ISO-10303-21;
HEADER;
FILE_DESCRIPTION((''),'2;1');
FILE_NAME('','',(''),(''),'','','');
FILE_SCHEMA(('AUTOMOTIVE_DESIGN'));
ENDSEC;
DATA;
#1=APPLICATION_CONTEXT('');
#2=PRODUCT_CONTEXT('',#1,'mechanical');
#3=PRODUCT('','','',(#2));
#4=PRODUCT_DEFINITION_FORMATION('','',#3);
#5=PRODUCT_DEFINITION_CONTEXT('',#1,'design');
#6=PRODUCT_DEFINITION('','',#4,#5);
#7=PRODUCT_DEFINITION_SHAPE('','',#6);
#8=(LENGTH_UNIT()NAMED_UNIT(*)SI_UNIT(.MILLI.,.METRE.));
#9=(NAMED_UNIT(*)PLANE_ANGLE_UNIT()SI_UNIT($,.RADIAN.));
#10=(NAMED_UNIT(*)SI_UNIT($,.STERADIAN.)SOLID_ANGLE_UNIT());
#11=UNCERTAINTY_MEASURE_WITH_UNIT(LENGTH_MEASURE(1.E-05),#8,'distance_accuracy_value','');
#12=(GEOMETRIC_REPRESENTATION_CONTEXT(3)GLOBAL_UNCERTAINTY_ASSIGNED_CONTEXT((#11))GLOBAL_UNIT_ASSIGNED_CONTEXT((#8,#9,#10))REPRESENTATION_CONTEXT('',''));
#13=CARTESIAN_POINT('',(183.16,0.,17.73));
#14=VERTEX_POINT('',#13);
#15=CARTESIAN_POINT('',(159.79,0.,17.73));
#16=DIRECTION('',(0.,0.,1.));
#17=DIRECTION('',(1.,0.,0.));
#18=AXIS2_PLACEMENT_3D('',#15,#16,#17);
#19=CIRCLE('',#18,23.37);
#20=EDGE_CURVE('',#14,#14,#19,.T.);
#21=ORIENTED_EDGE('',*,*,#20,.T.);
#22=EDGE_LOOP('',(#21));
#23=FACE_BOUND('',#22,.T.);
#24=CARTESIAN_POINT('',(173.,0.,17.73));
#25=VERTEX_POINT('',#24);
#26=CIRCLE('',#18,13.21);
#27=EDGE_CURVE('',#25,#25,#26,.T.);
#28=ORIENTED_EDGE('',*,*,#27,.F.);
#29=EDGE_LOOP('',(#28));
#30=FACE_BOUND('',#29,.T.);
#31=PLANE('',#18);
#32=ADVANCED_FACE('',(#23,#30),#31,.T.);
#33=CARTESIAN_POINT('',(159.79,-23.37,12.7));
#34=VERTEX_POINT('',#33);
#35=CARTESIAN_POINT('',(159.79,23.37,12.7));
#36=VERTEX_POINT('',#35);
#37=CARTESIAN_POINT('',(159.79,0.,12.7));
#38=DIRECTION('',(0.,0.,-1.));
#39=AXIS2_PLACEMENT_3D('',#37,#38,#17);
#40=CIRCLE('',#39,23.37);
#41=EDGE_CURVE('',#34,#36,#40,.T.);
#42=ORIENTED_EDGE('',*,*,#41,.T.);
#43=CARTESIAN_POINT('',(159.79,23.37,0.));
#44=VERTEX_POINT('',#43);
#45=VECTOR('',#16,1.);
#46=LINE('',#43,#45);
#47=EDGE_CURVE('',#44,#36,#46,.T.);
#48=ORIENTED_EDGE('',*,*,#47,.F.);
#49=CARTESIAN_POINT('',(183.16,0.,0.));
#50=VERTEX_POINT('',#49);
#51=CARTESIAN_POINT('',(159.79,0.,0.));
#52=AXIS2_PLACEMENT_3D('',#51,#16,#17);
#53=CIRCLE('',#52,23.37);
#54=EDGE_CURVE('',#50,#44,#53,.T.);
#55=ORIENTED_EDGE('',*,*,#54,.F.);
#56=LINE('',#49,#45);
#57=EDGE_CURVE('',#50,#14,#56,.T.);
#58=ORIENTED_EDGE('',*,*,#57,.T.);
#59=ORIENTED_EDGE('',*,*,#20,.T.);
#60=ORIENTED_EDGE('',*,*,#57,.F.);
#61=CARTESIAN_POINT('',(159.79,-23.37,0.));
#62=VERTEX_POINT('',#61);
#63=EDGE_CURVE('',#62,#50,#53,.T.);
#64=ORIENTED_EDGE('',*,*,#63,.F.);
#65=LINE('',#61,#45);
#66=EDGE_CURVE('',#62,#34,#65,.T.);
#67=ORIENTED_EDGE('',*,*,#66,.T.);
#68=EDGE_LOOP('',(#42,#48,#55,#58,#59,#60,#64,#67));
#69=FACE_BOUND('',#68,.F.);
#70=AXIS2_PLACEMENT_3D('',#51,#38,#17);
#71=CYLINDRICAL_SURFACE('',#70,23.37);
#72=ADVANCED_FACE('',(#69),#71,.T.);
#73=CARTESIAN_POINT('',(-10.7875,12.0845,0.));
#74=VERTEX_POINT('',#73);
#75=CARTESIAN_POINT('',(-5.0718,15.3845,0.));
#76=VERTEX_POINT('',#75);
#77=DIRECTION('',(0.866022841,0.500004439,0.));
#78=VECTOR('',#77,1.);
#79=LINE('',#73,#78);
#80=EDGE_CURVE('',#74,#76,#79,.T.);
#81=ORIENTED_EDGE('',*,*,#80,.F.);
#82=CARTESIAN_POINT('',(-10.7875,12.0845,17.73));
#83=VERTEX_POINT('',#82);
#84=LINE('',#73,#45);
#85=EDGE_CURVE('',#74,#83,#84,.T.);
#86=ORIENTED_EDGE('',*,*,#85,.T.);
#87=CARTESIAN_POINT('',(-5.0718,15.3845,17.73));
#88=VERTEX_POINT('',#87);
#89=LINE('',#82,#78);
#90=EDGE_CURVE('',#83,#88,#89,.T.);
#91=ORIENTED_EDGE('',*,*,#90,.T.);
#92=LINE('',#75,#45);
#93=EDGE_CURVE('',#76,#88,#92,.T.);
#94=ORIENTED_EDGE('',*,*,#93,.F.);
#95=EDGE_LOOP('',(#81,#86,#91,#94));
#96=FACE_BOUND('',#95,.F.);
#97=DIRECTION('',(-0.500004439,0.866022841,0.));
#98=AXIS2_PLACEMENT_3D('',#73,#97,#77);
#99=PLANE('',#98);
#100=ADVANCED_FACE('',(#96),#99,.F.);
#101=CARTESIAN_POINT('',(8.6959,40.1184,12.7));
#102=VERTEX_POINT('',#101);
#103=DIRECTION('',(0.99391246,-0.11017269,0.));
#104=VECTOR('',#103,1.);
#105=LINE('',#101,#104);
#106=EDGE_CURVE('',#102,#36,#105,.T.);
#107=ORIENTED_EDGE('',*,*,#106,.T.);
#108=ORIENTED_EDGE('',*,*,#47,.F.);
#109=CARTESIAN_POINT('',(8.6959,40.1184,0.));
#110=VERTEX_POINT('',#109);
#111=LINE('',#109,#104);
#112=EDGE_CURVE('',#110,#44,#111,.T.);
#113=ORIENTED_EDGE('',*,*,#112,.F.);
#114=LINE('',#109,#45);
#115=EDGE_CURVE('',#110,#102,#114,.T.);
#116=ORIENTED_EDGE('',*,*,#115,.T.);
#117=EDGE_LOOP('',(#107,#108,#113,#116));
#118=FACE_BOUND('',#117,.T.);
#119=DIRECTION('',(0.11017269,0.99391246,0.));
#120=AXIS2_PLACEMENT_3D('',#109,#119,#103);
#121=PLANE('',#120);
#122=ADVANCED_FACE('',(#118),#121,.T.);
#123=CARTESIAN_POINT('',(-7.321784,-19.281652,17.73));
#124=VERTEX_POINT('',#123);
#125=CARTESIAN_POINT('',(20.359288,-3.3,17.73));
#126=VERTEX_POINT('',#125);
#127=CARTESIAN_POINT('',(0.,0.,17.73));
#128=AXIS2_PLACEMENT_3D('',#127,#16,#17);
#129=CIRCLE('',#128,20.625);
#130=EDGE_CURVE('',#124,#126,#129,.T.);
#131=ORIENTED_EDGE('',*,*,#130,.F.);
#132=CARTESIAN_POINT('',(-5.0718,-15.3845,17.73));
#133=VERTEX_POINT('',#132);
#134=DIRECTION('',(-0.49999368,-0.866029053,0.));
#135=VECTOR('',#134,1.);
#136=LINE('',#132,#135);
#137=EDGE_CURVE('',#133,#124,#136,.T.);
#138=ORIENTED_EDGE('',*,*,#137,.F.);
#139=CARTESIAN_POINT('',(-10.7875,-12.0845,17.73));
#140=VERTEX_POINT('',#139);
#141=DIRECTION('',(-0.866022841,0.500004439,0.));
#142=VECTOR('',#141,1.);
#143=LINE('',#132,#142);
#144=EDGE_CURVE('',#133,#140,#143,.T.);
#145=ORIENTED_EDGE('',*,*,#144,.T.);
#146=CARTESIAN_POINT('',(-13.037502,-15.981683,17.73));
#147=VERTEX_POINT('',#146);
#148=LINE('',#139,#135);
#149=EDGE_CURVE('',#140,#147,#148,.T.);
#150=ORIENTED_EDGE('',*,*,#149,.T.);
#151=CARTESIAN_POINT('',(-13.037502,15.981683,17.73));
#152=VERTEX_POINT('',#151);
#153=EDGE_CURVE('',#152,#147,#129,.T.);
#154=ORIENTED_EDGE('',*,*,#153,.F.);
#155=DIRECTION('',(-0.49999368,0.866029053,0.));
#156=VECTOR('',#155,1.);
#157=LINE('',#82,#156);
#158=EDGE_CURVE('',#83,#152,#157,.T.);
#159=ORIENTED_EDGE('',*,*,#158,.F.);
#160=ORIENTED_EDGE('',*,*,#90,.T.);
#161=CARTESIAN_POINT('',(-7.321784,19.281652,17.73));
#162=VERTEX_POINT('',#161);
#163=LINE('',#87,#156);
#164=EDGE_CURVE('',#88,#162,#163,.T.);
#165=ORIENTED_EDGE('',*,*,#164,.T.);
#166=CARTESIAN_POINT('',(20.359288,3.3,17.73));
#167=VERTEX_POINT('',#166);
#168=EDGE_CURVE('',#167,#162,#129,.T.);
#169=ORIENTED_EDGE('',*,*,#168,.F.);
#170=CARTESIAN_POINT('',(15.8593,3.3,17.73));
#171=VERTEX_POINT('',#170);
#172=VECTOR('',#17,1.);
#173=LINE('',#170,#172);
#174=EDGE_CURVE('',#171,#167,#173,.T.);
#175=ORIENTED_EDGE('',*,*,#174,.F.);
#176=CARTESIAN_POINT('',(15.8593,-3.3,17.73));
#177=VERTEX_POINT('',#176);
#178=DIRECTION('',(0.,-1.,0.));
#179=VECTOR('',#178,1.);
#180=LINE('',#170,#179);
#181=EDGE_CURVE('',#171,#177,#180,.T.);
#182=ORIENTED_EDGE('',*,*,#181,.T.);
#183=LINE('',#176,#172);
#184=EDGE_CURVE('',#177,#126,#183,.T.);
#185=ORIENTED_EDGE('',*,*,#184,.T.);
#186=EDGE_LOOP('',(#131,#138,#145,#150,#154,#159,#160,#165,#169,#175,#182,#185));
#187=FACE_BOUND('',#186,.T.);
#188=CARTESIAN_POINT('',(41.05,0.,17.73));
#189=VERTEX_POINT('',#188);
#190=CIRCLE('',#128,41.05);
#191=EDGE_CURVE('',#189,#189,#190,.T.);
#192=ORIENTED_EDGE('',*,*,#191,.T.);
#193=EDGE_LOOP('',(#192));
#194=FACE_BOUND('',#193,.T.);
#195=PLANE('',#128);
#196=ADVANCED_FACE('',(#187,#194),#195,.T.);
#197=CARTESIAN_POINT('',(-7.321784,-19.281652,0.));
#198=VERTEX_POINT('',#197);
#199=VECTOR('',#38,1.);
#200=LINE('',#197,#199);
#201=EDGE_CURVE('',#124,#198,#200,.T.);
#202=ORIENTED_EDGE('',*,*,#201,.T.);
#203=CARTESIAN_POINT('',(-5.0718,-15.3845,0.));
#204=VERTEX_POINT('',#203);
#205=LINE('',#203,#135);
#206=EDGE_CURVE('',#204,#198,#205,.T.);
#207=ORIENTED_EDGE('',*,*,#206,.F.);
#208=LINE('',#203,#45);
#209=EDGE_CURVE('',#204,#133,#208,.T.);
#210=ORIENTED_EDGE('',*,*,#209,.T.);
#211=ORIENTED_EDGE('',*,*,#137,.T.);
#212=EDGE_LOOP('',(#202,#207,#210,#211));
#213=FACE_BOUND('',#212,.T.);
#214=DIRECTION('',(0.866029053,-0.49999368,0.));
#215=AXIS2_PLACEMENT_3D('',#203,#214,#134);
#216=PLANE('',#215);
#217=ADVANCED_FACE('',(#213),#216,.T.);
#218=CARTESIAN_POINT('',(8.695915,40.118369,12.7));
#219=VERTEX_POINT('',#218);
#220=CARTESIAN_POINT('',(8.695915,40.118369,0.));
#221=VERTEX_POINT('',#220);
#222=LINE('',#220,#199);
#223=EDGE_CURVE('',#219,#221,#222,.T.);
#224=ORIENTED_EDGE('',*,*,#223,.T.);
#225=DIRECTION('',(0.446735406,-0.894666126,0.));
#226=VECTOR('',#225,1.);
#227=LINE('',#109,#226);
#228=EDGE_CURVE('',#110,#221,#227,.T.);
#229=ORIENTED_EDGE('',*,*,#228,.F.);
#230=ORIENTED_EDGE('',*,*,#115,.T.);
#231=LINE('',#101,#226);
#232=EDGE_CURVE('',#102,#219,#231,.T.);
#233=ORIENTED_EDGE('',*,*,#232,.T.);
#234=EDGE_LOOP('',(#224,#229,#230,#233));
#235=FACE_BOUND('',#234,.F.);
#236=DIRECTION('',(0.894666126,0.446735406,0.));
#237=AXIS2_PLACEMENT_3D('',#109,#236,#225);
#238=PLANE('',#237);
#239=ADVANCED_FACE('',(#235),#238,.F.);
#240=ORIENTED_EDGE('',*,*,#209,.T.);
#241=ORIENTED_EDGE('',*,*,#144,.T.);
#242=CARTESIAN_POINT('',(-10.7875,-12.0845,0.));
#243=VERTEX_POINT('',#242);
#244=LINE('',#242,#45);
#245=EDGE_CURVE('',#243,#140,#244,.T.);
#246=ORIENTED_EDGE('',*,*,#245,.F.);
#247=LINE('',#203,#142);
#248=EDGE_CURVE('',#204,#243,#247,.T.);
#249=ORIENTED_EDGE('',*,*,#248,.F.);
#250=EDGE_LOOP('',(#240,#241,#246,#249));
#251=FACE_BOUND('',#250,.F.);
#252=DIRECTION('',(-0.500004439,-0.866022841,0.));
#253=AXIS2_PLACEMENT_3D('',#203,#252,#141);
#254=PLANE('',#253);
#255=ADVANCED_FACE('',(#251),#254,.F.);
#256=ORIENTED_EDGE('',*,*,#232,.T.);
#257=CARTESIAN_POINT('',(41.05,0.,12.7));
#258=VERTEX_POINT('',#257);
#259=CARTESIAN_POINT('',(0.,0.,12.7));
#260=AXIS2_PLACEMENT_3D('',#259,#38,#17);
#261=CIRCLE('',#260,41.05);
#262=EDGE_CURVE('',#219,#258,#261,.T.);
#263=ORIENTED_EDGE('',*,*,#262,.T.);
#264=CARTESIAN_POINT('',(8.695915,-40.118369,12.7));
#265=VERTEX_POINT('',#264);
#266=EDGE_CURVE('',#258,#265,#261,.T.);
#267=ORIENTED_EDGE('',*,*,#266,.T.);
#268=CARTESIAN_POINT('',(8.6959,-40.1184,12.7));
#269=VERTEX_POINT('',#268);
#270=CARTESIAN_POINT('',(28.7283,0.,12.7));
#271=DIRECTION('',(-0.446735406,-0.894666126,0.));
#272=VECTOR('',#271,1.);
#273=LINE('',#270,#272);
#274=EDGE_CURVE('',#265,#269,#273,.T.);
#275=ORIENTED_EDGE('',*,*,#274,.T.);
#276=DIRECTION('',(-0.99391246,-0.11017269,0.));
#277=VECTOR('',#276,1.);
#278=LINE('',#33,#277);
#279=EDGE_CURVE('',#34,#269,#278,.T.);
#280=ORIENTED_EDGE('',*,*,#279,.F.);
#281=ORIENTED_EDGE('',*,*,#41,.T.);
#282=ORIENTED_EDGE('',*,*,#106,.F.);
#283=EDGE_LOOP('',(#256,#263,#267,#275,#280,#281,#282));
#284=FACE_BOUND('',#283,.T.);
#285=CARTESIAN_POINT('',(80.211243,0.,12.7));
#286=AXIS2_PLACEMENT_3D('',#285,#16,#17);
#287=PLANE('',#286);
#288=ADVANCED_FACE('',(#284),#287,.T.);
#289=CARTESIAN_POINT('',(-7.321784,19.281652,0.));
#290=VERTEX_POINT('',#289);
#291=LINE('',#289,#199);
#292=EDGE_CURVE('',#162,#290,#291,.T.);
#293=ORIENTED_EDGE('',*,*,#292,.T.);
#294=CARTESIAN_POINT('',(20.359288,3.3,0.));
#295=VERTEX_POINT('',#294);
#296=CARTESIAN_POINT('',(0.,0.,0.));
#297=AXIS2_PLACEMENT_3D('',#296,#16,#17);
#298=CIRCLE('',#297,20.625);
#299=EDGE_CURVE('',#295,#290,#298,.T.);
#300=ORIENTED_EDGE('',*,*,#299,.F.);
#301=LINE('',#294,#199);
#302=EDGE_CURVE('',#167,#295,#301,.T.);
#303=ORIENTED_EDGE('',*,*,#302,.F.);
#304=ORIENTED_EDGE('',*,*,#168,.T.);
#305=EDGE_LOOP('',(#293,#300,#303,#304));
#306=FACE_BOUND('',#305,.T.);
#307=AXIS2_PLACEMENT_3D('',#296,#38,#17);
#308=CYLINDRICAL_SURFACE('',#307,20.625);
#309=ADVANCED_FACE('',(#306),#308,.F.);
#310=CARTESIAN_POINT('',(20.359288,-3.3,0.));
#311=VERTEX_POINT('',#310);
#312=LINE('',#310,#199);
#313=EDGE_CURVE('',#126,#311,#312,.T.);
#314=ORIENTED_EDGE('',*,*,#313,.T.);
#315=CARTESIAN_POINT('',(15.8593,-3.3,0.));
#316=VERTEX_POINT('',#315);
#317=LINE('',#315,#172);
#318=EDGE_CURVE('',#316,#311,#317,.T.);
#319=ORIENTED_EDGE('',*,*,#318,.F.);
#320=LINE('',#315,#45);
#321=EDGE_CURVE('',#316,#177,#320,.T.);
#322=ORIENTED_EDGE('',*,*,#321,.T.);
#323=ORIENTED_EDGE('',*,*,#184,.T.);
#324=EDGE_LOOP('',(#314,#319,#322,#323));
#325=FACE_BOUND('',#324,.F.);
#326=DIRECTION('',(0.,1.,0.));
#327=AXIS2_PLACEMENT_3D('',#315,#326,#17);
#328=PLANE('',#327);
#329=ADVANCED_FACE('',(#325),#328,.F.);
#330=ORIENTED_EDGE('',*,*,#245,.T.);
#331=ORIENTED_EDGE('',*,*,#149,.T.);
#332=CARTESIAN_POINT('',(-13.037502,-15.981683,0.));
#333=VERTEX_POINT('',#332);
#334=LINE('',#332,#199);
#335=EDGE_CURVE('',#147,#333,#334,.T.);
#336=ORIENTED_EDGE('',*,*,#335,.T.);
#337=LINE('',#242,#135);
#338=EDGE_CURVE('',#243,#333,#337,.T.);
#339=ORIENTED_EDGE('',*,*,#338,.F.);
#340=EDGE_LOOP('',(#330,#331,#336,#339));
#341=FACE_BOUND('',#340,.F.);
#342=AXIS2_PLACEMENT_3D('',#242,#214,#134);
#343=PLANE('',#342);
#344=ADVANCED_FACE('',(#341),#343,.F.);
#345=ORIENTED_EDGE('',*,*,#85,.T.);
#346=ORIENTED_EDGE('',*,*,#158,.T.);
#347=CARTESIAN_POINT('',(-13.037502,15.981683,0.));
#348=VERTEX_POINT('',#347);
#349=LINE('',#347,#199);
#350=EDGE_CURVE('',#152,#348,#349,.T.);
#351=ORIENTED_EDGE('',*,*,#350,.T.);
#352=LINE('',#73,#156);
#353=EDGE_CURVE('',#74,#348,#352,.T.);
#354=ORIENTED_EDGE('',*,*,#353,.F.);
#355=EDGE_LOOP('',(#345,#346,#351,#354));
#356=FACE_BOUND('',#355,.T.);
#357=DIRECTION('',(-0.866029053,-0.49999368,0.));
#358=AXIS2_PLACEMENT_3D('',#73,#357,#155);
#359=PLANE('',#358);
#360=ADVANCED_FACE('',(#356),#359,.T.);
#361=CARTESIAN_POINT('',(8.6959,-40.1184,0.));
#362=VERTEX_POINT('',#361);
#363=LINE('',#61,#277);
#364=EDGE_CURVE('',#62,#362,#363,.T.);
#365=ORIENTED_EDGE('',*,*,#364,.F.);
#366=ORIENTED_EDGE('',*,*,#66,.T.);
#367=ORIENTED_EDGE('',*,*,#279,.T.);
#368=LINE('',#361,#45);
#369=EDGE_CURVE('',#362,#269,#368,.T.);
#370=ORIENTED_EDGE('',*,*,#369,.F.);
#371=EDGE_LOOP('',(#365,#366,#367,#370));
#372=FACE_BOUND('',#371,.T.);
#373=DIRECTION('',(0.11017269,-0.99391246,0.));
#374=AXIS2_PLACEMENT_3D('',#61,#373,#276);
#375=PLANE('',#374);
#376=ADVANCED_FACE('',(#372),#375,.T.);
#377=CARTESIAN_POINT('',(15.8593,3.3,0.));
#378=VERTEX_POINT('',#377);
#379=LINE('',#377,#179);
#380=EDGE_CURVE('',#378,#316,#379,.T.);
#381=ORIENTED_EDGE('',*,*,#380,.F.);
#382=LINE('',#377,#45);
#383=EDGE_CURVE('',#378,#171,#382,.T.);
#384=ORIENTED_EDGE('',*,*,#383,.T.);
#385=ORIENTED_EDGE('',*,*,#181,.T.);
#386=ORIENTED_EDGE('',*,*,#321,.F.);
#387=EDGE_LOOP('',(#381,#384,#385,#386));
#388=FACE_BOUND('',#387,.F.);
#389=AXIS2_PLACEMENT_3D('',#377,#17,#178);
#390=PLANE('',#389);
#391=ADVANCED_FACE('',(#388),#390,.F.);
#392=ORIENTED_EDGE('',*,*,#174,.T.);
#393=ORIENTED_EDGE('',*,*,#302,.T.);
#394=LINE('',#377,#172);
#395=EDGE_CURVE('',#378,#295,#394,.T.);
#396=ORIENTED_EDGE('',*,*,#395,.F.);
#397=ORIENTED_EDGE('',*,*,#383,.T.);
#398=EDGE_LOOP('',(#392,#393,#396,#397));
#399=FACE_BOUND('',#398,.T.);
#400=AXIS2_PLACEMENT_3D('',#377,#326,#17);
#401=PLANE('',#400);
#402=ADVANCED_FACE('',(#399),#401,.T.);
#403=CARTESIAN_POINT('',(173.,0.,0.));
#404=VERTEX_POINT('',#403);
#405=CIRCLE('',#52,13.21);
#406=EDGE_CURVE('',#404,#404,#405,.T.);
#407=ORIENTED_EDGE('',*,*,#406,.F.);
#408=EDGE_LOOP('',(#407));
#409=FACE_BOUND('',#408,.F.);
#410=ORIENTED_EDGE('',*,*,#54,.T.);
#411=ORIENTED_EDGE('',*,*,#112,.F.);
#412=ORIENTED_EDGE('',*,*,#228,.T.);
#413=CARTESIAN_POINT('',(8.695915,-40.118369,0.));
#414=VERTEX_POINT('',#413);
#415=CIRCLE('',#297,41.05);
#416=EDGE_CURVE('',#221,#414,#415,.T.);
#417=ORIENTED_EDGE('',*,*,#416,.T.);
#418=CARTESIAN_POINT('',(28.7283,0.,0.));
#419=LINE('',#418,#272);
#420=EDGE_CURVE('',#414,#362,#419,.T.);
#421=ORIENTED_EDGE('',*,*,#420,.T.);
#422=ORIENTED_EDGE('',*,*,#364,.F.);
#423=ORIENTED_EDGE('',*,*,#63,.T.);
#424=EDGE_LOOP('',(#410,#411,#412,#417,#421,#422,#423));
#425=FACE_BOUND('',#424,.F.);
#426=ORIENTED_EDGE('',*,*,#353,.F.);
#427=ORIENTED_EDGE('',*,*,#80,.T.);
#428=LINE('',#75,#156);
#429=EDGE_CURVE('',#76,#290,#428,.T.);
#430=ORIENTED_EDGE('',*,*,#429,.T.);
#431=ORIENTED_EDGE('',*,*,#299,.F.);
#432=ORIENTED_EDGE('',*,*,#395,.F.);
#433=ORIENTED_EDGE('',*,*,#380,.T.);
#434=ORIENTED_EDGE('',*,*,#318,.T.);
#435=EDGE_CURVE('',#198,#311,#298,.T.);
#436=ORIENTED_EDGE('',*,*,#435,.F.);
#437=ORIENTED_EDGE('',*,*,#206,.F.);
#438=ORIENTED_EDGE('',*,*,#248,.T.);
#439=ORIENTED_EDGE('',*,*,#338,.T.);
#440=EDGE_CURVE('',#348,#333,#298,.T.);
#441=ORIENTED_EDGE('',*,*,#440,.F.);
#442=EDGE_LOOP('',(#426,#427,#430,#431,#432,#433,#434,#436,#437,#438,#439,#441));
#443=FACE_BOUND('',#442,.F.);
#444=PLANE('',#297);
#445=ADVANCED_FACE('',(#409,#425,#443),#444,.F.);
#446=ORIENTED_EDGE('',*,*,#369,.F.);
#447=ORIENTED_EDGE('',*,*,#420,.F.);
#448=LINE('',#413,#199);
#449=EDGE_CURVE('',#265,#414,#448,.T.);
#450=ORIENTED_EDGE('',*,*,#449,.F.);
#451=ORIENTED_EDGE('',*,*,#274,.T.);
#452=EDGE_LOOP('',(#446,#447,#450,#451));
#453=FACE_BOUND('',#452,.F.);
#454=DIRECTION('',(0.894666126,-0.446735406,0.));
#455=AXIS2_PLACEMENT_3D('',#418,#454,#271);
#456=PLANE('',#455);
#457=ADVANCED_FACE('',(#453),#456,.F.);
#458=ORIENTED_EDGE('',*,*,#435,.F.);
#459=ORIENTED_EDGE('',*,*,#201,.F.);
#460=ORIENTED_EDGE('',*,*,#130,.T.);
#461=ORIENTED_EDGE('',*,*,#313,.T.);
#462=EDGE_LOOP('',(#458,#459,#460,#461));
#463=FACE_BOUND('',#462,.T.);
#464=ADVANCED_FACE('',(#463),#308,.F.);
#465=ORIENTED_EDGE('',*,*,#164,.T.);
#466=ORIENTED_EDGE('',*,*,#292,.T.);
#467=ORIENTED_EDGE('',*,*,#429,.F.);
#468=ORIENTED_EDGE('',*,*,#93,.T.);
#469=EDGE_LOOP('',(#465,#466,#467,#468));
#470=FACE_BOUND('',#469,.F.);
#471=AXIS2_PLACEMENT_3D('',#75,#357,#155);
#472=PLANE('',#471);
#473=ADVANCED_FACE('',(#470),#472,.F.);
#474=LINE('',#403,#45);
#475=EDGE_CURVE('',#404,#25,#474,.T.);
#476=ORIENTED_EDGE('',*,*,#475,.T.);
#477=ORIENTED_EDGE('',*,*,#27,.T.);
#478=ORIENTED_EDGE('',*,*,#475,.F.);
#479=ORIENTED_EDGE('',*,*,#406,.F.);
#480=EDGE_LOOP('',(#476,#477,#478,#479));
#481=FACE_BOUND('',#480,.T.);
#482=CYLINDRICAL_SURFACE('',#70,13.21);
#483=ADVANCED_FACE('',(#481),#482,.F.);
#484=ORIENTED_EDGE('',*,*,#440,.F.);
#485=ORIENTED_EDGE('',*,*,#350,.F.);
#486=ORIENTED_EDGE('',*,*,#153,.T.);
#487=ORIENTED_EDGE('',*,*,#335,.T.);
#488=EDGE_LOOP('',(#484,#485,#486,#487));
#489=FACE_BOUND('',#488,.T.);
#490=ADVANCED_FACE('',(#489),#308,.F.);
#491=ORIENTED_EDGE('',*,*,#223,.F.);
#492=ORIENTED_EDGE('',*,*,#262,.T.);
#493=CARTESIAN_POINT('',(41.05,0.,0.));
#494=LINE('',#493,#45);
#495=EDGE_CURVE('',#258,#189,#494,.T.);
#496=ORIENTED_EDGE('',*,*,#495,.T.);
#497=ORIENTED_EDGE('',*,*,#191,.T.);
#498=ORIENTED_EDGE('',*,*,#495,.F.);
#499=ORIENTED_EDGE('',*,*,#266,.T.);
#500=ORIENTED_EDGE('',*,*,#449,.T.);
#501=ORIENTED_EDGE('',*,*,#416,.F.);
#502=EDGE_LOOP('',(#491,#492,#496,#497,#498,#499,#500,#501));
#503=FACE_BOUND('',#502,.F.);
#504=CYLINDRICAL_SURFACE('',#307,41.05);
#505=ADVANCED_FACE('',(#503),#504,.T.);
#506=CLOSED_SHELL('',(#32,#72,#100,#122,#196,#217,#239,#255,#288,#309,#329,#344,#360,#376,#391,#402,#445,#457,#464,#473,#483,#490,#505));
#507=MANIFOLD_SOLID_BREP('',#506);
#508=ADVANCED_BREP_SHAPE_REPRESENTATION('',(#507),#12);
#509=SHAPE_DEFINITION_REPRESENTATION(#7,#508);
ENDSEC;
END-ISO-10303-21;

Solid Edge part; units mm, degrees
sketch "Sketch1" plane through (0, 0, 0) normal (0, 0, 1) x (1, 0, 0)
  circle A0 centre (0, 0) radius 41.05
  circle A1 centre (0, 0) radius 20.625
  circle A2 centre (159.79, 0) radius 23.37
  circle A3 centre (159.79, 0) radius 13.21
  dimension "D1" = 159.79
extrude "Protrusion1" add sketch "Sketch1" along normal blind 17.73
sketch "Sketch2" plane through (0, 0, 0) normal (0, 0, 1) x (1, 0, 0)
  line L0 (159.79, -23.37) -> (139.6358, 0)
  line L1 (139.6358, 0) -> (159.79, 23.37)
  line L2 (8.6959, 40.1184) -> (159.79, 23.37)
  line L3 (8.6959, 40.1184) -> (28.7283, 0)
  line L4 (28.7283, 0) -> (8.6959, -40.1184)
  line L5 (159.79, -23.37) -> (8.6959, -40.1184)
extrude "ExtrudedProtrusion_2" add sketch "Sketch2" along normal blind 12.7
sketch "Sketch3" plane through (0, 0, 0) normal (0, 0, 1) x (1, 0, 0)
  line L0 (-5.0718, -15.3845) -> (-10.7875, -12.0845)
  line L1 (-10.7875, -12.0845) -> (-13.2875, -16.4147)
  line L2 (-13.2875, -16.4147) -> (-7.5718, -19.7147)
  line L3 (-5.0718, -15.3845) -> (-7.5718, -19.7147)
  line L4 (-10.7875, 12.0845) -> (-5.0718, 15.3845)
  line L5 (-5.0718, 15.3845) -> (-7.5718, 19.7147)
  line L6 (-7.5718, 19.7147) -> (-13.2875, 16.4147)
  line L7 (-10.7875, 12.0845) -> (-13.2875, 16.4147)
  line L8 (15.8593, -3.3) -> (20.8593, -3.3)
  line L9 (20.8593, -3.3) -> (20.8593, 3.3)
  line L10 (15.8593, 3.3) -> (20.8593, 3.3)
  line L11 (15.8593, 3.3) -> (15.8593, -3.3)
  dimension "D1" = 159.79
extrude "Protrusion2" add sketch "Sketch3" along normal up to vertex (17.73 mm away)
